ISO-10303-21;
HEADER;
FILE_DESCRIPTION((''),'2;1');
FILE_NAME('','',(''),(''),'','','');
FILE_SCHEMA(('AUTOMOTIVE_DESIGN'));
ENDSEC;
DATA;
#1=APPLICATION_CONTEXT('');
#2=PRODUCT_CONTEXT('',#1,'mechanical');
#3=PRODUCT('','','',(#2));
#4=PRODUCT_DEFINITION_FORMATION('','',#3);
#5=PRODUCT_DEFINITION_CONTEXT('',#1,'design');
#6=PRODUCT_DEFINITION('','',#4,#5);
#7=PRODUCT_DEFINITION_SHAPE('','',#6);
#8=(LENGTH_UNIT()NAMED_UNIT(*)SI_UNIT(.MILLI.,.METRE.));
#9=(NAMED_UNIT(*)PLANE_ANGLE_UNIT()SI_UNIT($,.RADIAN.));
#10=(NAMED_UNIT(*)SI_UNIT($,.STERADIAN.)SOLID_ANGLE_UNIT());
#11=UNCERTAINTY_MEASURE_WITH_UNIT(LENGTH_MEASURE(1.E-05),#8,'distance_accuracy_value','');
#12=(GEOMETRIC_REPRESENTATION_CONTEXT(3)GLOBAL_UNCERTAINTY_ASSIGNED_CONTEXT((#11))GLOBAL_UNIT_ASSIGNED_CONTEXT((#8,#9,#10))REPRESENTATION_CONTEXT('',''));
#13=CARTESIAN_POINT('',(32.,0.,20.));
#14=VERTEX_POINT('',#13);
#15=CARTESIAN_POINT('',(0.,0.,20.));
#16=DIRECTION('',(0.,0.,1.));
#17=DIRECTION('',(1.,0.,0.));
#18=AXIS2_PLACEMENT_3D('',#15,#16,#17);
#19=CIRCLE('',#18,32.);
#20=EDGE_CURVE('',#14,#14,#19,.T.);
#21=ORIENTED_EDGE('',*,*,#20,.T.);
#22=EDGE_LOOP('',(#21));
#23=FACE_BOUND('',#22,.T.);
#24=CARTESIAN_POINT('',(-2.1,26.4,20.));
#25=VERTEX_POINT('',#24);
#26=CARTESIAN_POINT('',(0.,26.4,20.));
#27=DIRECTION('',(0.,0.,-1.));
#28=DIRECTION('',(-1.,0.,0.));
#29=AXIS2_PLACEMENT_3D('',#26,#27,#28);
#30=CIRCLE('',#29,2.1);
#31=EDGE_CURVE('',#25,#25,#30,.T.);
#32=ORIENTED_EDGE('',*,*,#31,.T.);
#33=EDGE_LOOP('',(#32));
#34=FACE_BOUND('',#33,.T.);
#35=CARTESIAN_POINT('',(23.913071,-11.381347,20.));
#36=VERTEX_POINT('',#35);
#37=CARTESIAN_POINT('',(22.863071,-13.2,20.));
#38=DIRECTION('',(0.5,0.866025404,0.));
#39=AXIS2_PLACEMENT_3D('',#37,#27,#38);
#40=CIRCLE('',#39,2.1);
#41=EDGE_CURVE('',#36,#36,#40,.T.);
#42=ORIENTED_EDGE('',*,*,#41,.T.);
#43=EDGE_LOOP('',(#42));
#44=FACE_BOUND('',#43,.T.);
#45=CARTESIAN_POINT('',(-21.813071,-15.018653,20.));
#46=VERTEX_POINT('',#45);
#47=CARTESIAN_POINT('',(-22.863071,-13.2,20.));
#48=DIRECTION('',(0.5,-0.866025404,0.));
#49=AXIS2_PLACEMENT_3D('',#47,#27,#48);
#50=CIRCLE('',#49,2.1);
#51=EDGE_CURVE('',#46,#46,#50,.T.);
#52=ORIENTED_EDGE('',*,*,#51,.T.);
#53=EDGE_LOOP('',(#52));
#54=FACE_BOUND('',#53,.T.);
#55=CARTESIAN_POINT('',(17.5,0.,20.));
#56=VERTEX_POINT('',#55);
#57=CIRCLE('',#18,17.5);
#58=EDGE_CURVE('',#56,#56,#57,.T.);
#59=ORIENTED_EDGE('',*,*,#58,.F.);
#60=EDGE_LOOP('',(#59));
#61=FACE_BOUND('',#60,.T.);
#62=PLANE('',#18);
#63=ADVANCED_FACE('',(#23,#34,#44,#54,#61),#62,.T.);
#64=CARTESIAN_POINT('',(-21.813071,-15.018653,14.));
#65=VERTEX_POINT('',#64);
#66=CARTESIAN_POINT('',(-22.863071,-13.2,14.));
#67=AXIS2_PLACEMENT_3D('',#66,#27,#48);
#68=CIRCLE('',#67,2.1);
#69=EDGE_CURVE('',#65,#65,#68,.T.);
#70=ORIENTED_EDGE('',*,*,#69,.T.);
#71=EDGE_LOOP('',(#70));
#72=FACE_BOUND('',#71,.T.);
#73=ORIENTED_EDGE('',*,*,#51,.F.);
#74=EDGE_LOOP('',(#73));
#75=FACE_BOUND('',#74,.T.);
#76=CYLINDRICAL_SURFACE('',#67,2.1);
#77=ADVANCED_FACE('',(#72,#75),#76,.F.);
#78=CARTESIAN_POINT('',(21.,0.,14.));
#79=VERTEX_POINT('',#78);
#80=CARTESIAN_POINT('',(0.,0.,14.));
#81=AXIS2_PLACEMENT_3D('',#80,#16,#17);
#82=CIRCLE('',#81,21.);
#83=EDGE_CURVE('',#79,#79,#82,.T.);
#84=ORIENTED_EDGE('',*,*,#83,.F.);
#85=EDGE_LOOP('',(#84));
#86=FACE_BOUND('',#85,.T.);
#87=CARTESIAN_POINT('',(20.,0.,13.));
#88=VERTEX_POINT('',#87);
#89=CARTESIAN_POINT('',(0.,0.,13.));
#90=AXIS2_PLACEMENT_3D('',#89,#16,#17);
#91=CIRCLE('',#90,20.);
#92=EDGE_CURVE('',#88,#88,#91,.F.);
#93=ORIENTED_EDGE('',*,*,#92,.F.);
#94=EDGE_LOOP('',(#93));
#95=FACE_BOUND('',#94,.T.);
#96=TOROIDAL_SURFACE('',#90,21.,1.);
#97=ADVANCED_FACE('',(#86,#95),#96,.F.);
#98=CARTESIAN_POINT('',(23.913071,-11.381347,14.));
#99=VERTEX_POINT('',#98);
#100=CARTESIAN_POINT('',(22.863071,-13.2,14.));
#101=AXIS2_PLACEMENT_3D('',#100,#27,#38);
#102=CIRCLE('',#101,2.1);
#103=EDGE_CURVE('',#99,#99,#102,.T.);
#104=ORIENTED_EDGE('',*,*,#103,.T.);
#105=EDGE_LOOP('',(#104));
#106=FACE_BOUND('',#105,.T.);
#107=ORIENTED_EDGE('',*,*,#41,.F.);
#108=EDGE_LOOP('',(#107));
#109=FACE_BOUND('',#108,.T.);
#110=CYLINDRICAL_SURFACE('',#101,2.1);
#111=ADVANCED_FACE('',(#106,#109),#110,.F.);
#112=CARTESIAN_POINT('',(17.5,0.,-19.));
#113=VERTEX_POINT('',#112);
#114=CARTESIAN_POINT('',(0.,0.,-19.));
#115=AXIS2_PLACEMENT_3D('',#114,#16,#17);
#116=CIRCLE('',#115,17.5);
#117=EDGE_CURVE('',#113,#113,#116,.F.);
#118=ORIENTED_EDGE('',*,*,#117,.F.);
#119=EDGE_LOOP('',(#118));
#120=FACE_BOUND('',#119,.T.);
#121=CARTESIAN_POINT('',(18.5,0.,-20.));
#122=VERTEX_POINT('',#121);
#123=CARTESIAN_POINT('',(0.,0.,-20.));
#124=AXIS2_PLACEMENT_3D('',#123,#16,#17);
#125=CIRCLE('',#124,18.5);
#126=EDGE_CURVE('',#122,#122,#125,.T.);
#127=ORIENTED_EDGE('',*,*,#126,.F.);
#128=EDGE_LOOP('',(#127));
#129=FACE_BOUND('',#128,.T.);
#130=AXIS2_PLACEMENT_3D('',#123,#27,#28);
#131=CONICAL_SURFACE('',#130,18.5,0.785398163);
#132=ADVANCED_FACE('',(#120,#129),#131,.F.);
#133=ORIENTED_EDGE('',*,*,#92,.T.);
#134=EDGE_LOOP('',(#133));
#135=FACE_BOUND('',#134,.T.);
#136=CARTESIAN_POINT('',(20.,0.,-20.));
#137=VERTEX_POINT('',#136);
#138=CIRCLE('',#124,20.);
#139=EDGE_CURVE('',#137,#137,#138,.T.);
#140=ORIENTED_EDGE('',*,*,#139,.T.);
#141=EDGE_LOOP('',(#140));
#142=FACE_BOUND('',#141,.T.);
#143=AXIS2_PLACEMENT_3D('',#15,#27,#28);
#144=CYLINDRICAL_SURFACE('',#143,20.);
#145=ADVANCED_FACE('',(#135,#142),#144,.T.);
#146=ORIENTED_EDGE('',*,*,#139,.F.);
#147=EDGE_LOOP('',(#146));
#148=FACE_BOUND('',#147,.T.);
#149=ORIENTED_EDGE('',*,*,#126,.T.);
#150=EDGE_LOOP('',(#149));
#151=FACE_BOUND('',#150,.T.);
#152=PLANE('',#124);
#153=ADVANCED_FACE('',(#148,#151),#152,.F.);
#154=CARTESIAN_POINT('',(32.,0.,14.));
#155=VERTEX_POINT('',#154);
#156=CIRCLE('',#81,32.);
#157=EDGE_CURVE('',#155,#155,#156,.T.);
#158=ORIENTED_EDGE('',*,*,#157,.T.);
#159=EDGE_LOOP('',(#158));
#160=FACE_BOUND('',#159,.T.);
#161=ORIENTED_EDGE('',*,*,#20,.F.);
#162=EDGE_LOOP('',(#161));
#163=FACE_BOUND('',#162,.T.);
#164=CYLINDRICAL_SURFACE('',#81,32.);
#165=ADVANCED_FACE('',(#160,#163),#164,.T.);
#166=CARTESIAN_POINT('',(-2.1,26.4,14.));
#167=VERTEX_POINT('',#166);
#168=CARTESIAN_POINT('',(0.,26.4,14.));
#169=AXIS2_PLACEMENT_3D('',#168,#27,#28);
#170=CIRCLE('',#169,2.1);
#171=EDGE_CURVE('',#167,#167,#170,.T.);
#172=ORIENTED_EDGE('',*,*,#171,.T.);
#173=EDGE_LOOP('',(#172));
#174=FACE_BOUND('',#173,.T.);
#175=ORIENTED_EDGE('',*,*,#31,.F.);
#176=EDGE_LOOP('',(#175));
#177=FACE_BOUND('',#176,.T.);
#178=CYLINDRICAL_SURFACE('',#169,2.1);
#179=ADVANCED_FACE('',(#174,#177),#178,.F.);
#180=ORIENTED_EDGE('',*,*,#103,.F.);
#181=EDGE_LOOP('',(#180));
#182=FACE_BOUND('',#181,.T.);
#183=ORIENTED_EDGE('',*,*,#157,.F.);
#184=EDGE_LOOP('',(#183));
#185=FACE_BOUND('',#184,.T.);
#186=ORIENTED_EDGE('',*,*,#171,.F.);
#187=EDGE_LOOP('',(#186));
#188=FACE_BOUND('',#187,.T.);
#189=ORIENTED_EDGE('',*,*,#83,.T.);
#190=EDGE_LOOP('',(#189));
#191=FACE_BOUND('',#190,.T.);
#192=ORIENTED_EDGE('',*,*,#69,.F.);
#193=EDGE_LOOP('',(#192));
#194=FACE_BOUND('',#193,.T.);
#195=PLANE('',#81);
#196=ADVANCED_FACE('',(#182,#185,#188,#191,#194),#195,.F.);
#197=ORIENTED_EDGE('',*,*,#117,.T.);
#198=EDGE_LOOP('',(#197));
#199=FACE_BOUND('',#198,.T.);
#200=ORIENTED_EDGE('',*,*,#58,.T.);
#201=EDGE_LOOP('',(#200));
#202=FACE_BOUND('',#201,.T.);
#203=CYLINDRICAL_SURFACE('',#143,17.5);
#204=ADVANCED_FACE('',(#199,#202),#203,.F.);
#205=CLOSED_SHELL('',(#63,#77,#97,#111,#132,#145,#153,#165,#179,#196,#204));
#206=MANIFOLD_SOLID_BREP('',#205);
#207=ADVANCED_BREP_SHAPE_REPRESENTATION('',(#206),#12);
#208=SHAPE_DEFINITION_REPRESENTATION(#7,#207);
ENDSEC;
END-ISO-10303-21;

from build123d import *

# Parameters (mm, degrees)
SKETCH1_R           = 20
SKETCH1_R_2         = 17.5
BOSS_EXTRUDE1_DEPTH = 20
SKETCH2_R           = 32
SKETCH2_R_2         = 20
BOSS_EXTRUDE2_DEPTH = 6
SKETCH4_W           = 2.1
SKETCH4_H           = 6
CIRPATTERN1_COUNT   = 3
CHAMFER1_SIZE       = 1
FILLET3_R           = 1


with BuildPart() as part:
    # Sketch1 → Boss-Extrude1 (new body, symmetric)
    with BuildSketch(Plane.XY):
        Circle(SKETCH1_R)
        Circle(SKETCH1_R_2, mode=Mode.SUBTRACT)
    extrude(amount=BOSS_EXTRUDE1_DEPTH, both=True)

    # Chamfer1
    chamfer1_edges = [part.edges().sort_by_distance(p)[0] for p in [
        (-17.5, 0, -20),
    ]]
    chamfer(chamfer1_edges, length=CHAMFER1_SIZE)


with BuildPart() as body_2:
    # Sketch2 → Boss-Extrude2 (new body)
    with BuildSketch(Plane.XY.offset(20)):
        Circle(SKETCH2_R)
        Circle(SKETCH2_R_2, mode=Mode.SUBTRACT)
    extrude(amount=-BOSS_EXTRUDE2_DEPTH)

    # Sketch4 → M5 Tapped Hole1 (revolve, cut)
    with BuildSketch(Plane(origin=(0, 26.4, 14), x_dir=(0, 1, 0), z_dir=(1, 0, 0))):
        with Locations((1.05, 3)):
            Rectangle(SKETCH4_W, SKETCH4_H)
    m5_tapped_hole1 = revolve(axis=Axis((0, 26.4, 7.65), (0, 0, 1)), mode=Mode.SUBTRACT)

    # CirPattern1: M5 Tapped Hole1 ×3 about axis
    cirpattern1_axis = Axis((0, 0, 0), (0, 0, 1))
    for i in range(1, CIRPATTERN1_COUNT):
        add(m5_tapped_hole1.rotate(cirpattern1_axis, i * 360 / CIRPATTERN1_COUNT), mode=Mode.SUBTRACT)


with BuildPart() as part_1:
    add(part.part)

    # Combine1: union body 2
    add(body_2.part)

    # Fillet3
    fillet3_edges = [part_1.edges().sort_by_distance(p)[0] for p in [
        (-20, 0, 14),
    ]]
    fillet(fillet3_edges, radius=FILLET3_R)


solid = part_1.part
